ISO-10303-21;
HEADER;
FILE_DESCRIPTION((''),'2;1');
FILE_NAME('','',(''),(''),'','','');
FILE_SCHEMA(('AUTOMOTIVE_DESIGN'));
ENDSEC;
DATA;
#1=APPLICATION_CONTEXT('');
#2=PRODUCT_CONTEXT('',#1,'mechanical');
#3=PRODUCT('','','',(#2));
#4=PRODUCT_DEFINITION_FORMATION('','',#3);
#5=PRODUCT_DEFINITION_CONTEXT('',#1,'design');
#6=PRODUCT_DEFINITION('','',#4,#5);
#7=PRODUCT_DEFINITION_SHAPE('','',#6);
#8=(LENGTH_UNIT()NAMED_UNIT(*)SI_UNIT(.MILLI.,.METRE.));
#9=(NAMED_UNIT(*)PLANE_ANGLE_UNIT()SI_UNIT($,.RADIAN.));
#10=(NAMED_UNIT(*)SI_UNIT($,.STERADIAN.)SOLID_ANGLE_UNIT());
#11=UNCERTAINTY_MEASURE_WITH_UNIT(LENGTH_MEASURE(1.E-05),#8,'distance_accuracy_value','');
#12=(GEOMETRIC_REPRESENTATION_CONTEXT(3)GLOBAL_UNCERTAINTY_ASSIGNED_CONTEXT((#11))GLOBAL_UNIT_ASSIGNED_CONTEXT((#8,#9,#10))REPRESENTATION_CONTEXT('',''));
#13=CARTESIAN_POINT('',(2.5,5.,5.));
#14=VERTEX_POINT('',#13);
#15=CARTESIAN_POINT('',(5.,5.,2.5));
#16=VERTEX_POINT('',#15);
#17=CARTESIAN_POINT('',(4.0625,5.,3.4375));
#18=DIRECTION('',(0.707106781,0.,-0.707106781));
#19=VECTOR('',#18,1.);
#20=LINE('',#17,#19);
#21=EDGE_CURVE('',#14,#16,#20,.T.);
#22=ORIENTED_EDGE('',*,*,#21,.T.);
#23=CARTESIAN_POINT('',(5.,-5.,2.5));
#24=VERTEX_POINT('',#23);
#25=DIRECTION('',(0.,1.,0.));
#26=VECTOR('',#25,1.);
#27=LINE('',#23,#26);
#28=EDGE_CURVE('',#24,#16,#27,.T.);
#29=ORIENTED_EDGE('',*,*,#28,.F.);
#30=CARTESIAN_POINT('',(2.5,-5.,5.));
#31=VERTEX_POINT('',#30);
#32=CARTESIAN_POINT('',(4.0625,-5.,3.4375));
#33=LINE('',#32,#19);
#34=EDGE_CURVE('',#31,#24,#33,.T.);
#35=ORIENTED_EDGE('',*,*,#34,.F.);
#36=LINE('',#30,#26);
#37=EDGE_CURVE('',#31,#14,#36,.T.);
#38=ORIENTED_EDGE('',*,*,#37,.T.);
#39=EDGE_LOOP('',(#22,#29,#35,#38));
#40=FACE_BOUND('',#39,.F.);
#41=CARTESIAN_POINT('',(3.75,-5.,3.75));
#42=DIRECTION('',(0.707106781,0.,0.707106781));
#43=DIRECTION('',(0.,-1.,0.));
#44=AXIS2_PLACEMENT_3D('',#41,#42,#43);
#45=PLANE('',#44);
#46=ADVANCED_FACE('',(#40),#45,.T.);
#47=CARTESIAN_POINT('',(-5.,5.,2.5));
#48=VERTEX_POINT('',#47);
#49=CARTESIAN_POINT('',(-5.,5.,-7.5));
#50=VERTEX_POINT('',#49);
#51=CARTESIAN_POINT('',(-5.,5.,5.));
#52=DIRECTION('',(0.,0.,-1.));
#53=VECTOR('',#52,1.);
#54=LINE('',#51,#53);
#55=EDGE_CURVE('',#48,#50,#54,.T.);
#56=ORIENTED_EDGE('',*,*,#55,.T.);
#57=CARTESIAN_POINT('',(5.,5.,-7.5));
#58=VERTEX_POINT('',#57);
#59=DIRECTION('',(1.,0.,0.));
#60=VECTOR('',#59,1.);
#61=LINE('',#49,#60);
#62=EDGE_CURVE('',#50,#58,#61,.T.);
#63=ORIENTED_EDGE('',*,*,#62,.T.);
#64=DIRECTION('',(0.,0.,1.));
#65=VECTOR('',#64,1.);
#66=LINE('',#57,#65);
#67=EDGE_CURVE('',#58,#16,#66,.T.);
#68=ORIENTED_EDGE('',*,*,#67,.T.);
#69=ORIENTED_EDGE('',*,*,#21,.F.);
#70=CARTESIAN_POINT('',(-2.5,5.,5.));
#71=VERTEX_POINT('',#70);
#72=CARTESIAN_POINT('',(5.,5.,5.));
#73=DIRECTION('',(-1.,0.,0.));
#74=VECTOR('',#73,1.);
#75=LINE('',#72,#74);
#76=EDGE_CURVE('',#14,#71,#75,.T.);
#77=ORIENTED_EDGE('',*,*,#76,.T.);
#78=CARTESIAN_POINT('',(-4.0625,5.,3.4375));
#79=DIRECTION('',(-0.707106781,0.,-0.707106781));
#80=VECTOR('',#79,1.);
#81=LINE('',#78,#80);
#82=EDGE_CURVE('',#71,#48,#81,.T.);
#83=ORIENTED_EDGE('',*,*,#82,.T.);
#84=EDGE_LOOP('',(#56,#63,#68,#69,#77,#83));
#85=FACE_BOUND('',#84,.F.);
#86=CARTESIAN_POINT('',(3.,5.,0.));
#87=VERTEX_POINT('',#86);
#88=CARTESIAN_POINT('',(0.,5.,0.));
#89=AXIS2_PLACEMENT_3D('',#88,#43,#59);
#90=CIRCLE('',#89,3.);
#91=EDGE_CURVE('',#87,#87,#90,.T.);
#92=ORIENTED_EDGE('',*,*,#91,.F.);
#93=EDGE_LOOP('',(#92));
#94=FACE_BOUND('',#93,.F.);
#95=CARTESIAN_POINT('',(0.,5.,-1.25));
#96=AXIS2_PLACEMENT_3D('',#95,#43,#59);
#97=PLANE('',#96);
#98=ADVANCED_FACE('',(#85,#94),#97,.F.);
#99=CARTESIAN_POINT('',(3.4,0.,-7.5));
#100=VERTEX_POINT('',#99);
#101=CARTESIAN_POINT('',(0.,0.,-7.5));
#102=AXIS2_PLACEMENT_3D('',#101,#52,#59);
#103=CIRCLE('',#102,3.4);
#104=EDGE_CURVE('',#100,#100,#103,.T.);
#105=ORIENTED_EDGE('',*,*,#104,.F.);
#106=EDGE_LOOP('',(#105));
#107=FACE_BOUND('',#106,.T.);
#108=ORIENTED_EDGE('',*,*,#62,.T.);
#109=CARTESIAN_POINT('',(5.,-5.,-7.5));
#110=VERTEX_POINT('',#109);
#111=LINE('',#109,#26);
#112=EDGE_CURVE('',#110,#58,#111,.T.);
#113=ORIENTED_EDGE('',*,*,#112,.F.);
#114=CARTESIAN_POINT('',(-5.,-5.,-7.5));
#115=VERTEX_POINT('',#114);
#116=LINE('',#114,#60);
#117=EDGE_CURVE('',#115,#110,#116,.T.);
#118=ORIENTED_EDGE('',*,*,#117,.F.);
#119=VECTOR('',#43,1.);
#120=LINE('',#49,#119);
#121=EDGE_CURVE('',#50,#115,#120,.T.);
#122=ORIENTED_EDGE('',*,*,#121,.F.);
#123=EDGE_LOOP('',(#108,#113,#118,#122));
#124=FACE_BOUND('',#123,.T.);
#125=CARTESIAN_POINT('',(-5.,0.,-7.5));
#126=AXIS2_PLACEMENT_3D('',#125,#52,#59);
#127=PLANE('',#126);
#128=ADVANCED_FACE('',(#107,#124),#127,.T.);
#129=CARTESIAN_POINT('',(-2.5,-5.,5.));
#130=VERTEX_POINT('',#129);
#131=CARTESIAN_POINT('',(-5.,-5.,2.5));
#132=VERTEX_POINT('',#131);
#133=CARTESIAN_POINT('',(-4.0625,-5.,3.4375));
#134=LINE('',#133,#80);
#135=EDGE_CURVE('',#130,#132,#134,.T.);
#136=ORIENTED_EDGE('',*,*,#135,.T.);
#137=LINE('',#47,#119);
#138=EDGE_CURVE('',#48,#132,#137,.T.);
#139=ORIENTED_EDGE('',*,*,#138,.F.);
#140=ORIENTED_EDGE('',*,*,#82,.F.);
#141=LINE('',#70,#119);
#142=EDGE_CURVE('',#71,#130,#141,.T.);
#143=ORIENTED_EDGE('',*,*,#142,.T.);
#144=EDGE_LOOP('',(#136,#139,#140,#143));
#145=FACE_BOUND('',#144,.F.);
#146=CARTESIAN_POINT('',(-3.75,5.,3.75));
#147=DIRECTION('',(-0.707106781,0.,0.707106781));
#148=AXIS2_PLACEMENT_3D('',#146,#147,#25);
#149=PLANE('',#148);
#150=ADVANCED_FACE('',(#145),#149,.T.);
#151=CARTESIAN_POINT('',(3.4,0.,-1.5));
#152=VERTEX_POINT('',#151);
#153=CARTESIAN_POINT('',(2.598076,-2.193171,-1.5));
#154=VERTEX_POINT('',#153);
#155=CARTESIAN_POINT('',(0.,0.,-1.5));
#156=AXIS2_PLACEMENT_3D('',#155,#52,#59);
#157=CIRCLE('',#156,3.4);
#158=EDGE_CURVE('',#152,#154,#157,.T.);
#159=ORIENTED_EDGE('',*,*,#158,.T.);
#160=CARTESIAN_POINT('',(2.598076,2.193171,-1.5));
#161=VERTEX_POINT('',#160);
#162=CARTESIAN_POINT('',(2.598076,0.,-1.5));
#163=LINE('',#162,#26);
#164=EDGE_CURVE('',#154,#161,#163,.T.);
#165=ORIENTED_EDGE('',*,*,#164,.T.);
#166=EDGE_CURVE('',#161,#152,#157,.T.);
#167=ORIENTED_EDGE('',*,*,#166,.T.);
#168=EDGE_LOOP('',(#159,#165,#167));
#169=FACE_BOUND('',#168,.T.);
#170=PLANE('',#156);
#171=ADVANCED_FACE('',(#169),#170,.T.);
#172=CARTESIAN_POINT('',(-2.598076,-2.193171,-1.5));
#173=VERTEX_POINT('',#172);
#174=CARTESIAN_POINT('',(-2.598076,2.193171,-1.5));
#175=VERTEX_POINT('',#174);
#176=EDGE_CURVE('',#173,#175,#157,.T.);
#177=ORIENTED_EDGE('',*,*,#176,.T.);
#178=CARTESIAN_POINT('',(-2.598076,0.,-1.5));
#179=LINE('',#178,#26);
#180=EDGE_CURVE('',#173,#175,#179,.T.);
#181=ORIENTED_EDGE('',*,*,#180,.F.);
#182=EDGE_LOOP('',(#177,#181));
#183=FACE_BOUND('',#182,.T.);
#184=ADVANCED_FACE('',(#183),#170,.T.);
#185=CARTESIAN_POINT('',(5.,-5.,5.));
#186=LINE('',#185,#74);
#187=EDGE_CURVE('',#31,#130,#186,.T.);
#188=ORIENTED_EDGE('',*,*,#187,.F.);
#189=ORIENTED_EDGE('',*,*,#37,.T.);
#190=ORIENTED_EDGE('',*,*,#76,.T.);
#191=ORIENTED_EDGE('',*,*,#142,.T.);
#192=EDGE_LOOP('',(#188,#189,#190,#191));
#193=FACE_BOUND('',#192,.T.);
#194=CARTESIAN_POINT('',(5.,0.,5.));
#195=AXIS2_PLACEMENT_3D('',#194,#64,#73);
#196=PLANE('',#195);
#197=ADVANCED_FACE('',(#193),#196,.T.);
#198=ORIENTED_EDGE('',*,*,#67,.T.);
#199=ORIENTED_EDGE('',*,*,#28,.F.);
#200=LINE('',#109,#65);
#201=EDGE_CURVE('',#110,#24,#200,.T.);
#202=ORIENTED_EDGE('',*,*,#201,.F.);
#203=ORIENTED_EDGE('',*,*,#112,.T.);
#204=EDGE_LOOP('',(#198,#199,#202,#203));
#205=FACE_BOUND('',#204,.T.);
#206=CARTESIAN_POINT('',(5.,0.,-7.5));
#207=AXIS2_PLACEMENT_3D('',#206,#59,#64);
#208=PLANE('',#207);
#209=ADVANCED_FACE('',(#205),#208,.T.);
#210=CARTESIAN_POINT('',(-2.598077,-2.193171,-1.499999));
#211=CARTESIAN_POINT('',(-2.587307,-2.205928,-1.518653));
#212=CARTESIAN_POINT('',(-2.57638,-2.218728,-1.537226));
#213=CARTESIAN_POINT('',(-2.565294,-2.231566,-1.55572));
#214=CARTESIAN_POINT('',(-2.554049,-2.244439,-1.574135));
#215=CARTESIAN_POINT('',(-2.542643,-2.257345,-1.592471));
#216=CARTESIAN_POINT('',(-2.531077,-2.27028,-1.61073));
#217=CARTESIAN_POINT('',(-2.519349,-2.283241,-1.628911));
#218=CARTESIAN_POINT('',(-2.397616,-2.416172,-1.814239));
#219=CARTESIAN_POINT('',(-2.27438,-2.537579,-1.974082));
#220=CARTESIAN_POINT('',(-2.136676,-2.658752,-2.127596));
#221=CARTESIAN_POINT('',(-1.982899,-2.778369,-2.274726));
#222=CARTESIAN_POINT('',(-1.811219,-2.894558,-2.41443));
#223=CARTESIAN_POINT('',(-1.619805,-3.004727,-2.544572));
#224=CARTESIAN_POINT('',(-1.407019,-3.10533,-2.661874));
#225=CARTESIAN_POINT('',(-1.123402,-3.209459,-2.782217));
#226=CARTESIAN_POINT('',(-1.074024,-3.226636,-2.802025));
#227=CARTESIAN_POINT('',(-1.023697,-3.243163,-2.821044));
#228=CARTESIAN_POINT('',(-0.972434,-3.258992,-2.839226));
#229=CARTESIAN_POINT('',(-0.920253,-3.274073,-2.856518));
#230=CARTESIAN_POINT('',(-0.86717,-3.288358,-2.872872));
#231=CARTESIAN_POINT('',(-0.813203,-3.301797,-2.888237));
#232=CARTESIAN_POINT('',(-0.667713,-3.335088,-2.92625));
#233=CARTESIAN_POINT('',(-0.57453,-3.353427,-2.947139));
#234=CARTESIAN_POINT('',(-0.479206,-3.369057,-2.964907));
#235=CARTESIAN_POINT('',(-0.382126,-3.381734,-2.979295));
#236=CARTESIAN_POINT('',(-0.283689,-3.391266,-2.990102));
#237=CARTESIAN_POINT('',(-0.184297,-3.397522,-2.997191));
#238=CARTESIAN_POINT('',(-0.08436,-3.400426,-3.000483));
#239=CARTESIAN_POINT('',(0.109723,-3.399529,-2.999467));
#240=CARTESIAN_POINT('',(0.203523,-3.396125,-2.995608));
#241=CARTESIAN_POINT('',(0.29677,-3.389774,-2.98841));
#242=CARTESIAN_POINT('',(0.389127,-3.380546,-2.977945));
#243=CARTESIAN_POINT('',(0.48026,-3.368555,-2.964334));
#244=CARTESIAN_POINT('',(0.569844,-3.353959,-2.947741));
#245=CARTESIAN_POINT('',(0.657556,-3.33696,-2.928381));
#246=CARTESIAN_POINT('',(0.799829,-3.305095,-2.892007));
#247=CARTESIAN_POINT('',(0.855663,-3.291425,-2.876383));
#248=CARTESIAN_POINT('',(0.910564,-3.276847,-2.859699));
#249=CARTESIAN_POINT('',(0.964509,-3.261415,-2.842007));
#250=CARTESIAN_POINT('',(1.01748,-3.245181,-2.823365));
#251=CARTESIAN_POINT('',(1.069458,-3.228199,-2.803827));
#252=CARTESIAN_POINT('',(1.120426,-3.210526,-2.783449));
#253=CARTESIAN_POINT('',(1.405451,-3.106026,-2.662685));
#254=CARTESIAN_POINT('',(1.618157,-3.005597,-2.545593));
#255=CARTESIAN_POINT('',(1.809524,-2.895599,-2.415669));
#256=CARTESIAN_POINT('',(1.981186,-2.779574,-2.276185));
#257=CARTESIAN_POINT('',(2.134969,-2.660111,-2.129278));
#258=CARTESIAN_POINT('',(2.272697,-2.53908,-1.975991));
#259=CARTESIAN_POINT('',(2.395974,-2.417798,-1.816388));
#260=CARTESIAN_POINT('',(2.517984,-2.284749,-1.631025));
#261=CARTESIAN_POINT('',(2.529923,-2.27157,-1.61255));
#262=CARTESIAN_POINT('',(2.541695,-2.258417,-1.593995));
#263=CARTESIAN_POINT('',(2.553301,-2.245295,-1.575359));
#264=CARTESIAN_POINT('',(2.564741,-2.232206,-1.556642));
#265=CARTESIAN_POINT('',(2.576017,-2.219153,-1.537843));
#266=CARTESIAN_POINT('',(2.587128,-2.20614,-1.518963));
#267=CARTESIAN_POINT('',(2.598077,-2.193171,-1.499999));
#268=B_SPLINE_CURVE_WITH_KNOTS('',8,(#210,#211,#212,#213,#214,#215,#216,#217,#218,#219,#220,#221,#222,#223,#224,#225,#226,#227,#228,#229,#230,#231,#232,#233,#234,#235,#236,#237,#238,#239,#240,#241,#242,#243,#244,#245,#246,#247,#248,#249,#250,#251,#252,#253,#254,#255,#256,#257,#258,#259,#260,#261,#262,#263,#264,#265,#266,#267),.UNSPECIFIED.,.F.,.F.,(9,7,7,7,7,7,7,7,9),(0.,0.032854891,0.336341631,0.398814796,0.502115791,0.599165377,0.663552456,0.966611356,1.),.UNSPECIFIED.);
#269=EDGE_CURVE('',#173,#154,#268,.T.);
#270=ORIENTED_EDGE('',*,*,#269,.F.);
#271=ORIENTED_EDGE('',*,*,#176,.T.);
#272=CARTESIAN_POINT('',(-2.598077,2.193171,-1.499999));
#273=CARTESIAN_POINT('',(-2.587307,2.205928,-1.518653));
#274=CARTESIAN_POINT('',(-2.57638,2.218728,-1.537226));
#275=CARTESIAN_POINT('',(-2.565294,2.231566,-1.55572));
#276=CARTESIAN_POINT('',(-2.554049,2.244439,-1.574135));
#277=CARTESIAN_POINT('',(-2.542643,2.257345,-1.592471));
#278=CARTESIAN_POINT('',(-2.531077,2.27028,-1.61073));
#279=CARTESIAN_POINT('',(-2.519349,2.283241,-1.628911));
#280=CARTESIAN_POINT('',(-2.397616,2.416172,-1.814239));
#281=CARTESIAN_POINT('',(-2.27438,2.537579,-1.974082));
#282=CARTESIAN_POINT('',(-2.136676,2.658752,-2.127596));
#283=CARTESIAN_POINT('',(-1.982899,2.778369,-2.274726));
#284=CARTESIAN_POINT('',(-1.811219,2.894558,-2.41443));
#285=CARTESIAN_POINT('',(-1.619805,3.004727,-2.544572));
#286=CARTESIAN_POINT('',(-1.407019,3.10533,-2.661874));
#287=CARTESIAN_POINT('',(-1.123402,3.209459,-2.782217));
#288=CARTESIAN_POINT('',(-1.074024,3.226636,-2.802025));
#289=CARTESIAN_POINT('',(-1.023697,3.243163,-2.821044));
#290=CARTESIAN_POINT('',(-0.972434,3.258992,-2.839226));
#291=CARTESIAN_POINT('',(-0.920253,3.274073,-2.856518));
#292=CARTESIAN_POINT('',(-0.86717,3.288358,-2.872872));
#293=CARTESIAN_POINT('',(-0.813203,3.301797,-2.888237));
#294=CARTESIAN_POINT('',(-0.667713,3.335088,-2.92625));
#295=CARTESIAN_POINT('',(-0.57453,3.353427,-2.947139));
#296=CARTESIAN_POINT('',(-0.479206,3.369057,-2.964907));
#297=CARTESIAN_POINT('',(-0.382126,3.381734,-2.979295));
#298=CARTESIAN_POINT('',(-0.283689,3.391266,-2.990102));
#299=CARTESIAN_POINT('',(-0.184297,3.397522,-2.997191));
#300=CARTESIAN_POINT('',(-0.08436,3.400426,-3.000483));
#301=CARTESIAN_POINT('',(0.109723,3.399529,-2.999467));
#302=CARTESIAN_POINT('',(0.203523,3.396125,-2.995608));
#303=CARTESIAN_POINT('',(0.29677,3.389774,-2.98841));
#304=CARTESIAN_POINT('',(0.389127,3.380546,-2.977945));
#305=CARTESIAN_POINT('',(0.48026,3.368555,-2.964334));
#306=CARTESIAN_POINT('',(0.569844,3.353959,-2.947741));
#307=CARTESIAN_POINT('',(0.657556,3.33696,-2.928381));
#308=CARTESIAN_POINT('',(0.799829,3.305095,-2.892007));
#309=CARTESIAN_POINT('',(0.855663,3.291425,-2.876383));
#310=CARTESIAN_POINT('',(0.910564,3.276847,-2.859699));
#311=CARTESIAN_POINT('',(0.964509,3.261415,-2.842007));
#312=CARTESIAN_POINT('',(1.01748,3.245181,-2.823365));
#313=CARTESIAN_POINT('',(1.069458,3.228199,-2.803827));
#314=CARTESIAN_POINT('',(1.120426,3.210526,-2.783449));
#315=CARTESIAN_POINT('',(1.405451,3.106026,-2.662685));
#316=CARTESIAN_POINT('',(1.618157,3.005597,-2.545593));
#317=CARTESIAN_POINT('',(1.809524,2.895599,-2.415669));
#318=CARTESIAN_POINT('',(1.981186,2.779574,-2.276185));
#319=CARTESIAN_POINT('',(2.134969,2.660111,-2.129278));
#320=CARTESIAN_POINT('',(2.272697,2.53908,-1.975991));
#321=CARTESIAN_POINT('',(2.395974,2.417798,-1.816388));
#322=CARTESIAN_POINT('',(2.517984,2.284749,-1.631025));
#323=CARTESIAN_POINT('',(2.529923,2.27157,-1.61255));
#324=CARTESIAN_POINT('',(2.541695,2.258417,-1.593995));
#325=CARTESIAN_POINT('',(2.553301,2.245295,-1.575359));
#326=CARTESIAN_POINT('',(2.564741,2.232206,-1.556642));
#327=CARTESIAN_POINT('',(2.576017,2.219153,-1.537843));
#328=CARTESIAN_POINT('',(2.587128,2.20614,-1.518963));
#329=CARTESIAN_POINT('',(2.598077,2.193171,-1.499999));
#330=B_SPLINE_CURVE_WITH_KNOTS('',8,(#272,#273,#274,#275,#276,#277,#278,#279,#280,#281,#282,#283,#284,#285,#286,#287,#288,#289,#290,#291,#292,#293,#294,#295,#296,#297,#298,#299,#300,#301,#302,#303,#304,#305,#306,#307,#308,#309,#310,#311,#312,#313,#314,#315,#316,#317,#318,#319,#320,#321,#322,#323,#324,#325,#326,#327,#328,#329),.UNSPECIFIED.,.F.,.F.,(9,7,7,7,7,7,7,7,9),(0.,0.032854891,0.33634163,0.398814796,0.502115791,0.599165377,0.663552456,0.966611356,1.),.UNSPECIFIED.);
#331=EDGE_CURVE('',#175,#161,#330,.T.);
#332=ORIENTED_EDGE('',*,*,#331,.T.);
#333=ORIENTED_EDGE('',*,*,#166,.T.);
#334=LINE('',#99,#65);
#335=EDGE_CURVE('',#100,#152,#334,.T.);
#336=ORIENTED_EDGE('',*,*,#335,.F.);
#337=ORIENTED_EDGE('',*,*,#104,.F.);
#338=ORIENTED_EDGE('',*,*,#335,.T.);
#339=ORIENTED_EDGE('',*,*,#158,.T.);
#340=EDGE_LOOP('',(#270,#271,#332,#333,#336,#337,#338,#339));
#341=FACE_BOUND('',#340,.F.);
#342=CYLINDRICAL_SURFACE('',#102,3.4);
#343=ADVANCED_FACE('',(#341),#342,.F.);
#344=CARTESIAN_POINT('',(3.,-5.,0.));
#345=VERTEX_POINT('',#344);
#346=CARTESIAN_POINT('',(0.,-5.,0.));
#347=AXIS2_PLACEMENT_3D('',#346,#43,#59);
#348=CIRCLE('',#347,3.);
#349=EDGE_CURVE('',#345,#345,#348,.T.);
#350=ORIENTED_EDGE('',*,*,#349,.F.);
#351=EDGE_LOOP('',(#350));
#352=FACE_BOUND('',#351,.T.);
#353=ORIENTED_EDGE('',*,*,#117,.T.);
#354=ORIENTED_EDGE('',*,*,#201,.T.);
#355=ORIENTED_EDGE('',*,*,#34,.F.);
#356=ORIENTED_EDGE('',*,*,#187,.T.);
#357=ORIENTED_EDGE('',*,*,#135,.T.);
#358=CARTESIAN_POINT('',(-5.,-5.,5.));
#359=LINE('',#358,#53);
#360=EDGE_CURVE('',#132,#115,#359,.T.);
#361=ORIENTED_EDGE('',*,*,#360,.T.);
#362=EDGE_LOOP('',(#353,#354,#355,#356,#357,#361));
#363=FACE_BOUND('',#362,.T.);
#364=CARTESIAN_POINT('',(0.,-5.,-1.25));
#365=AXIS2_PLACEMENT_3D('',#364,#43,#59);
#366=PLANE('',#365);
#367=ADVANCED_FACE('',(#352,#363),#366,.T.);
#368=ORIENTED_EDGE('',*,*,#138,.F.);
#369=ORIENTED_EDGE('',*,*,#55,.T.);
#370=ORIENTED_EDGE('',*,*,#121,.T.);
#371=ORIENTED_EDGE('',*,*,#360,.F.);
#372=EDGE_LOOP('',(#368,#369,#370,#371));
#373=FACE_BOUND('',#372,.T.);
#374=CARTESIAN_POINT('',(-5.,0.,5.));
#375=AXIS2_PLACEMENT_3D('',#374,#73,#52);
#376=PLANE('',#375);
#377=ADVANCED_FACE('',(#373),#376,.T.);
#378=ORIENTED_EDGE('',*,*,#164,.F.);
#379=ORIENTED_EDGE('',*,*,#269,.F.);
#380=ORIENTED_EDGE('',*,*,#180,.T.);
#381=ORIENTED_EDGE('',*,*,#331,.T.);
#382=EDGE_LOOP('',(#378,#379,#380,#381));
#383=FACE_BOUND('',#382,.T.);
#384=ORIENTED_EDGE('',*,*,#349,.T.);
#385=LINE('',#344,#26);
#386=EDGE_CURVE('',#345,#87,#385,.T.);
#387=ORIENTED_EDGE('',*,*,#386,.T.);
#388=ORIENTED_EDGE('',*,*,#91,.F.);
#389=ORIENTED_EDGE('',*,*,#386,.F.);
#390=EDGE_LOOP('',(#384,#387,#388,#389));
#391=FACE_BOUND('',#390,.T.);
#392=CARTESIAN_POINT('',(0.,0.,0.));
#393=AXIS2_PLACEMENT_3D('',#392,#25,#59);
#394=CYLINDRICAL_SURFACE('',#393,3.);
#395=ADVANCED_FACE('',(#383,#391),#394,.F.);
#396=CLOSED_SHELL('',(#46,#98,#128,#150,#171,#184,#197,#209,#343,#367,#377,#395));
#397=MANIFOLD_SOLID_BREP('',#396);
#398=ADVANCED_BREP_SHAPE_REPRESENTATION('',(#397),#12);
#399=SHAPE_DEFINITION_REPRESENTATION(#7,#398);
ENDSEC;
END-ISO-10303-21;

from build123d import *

# Parameters (mm, degrees)
F0_R     = 3
F1_DEPTH = 5
F2_R     = 3.4
F3_DEPTH = 6
F4_SIZE  = 2.5


with BuildPart() as f1:
    # F0 (on Front) → F1 (new body, symmetric)
    with BuildSketch(Plane.XZ):
        Polygon((5, 5), (-5, 5), (-5, -5), (-5, -7.5), (5, -7.5), (5, -5), align=None)
        Circle(F0_R, mode=Mode.SUBTRACT)
    extrude(amount=F1_DEPTH, both=True)

    # F2 (on face) → F3 (cut)
    with BuildSketch(Plane(origin=(0, 0, -7.5), x_dir=(1, 0, 0), z_dir=(0, 0, -1))):
        Circle(F2_R)
    extrude(amount=-F3_DEPTH, mode=Mode.SUBTRACT)

    # F4
    f4_edges = [f1.edges().sort_by_distance(p)[0] for p in [
        (-5, 0, 5),
        (5, 0, 5),
    ]]
    chamfer(f4_edges, length=F4_SIZE)


solid = f1.part
